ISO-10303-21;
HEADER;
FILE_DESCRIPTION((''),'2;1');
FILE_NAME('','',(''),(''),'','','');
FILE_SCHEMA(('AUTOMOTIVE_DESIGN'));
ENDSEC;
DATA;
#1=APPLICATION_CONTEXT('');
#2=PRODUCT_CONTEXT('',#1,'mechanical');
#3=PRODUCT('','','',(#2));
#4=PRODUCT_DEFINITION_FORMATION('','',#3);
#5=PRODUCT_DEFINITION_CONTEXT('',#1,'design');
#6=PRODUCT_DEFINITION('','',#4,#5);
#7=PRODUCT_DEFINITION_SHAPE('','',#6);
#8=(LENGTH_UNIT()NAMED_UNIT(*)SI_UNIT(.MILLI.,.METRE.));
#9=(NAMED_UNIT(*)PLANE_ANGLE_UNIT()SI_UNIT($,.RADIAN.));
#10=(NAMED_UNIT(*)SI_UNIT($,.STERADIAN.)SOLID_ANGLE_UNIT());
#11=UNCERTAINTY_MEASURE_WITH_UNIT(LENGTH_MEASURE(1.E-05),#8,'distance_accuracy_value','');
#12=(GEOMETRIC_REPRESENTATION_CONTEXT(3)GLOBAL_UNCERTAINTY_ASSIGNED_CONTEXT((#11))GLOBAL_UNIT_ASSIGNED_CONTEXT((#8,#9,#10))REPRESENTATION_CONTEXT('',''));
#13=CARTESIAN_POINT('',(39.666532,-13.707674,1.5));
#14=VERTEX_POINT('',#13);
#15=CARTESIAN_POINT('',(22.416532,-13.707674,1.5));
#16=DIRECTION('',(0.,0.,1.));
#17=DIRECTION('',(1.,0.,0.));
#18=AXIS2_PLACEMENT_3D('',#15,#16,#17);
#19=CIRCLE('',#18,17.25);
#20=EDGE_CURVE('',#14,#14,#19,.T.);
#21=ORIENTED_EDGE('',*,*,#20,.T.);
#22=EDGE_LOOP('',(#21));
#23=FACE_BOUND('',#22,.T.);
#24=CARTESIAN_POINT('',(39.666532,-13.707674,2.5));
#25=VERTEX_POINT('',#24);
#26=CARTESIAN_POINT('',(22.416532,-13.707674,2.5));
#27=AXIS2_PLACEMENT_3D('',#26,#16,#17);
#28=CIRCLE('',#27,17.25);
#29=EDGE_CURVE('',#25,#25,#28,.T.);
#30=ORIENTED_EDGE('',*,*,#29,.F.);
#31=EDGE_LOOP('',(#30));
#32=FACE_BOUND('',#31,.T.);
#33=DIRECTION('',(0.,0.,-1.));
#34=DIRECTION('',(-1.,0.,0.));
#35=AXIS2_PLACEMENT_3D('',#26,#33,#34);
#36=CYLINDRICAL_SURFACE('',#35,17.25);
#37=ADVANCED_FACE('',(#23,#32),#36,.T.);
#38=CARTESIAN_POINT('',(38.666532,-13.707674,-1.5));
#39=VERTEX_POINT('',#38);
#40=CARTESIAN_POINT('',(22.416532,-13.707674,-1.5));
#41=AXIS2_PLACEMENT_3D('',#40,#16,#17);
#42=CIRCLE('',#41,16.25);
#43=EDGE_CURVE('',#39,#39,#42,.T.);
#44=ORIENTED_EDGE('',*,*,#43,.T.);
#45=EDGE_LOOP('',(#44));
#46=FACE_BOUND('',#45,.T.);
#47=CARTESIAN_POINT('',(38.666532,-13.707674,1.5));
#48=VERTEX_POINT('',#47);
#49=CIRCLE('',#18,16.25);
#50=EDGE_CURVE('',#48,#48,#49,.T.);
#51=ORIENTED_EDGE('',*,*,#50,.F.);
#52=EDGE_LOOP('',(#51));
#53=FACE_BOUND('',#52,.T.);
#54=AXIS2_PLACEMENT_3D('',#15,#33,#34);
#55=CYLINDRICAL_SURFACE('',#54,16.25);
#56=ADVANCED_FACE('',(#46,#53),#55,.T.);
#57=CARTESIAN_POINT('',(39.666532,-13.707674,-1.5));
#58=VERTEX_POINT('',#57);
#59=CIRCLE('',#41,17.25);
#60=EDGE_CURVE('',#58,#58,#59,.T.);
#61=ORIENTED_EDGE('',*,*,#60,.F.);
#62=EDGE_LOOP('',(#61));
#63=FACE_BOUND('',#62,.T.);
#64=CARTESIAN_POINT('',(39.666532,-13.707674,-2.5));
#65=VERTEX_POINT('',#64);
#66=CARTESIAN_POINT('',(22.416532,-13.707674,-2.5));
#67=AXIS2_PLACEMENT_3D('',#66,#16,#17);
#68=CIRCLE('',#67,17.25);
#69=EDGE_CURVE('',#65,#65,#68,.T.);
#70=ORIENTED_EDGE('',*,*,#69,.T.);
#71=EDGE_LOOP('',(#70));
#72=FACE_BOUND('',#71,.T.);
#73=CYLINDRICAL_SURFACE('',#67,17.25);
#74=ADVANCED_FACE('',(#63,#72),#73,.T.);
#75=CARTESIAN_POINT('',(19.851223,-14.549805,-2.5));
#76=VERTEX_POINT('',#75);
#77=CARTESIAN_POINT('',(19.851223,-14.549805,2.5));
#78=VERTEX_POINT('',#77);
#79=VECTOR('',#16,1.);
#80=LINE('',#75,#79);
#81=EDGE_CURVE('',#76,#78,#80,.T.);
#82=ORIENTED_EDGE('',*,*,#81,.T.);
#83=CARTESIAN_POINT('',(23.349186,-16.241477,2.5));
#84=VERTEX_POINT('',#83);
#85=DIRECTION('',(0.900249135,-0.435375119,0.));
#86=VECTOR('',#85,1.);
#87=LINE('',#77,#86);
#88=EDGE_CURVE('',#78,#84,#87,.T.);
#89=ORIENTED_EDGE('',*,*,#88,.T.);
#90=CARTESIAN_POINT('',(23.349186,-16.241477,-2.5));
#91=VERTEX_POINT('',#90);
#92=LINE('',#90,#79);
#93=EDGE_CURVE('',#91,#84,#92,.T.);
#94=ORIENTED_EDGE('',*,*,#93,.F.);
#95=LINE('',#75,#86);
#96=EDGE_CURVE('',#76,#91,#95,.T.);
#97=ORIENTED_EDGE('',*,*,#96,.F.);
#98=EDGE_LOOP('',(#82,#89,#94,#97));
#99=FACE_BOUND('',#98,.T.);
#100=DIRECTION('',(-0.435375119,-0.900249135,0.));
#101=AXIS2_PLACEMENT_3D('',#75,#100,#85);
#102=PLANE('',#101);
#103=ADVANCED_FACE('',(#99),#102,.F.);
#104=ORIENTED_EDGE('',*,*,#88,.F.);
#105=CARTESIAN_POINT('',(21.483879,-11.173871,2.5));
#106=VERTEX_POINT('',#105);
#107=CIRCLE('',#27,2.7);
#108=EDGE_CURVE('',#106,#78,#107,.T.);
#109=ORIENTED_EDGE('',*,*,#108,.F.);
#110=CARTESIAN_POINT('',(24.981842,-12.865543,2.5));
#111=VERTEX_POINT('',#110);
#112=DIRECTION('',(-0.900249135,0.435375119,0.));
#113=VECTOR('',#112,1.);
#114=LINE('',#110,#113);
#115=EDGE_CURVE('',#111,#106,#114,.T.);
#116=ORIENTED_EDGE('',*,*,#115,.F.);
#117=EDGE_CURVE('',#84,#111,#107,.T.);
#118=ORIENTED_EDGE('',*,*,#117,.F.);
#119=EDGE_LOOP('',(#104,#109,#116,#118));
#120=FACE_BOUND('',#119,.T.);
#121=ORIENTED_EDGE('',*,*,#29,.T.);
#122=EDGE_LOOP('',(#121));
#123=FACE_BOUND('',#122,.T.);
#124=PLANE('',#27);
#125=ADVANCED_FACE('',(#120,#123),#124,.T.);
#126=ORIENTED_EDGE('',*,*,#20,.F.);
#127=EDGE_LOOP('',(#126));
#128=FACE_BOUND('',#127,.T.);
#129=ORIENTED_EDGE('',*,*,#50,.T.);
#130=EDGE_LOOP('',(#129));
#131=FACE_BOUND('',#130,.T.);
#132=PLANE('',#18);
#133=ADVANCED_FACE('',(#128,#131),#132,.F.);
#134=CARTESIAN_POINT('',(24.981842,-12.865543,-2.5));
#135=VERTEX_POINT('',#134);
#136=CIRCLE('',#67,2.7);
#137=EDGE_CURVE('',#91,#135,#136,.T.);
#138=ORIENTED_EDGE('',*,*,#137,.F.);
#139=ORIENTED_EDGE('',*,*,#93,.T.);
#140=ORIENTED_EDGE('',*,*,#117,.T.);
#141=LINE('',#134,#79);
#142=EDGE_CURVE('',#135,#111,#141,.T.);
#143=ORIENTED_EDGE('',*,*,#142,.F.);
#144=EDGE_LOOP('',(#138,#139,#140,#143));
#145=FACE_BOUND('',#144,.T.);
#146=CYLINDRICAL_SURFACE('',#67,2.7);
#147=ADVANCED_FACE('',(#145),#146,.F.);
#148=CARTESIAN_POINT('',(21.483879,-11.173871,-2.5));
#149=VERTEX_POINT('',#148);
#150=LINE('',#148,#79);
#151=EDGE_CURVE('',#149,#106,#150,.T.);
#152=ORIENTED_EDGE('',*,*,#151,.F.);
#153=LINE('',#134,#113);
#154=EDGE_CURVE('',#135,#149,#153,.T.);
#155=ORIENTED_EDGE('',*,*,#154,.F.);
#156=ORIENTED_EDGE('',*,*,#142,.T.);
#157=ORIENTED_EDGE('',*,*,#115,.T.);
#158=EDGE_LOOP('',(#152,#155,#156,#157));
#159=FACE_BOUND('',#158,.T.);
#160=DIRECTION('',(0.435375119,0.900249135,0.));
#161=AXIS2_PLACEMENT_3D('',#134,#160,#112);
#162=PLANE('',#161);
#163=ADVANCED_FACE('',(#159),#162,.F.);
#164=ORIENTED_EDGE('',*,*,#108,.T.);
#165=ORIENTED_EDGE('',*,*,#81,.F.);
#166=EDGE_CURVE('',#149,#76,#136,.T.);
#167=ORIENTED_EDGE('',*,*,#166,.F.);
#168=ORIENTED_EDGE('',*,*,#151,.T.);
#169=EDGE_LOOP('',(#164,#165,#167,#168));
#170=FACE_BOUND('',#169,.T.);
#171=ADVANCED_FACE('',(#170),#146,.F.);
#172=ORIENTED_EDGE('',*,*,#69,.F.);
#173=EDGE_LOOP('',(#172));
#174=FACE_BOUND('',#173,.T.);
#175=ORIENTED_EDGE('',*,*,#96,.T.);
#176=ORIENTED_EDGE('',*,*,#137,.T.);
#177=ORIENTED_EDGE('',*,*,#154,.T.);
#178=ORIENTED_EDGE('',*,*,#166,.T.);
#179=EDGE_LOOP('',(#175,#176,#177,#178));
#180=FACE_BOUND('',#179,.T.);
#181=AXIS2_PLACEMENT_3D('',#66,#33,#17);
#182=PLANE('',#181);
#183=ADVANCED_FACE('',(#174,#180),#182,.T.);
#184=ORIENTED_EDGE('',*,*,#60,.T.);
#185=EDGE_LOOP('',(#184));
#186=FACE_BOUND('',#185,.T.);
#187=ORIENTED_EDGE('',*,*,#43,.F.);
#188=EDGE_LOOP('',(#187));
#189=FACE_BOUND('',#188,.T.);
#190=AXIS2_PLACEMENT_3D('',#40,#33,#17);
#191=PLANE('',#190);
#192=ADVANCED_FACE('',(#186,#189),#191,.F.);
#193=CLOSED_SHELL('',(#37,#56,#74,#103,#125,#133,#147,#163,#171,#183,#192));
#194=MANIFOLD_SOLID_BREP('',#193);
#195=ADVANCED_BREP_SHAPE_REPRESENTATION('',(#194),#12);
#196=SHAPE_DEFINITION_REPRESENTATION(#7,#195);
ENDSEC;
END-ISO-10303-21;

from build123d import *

# Parameters (mm, degrees)
SKETCH_1_R          = 16.25
EXTRUDE_1_DEPTH     = 1.5
SKETCH_2_R          = 17.25
EXTRUDE_2_DEPTH     = 1
CUT_EXTRUDE_1_DEPTH = 51.564922409


with BuildPart() as part:
    # 草图1 → 凸台-拉伸1 (new, symmetric)
    with BuildSketch(Plane.XY):
        with Locations((22.416532439, -13.707674049)):
            Circle(SKETCH_1_R)
    extrude(amount=EXTRUDE_1_DEPTH, both=True)

    # 草图2 → 凸台-拉伸2 (add)
    with BuildSketch(Plane.XY.offset(1.5)):
        with Locations((22.416532439, -13.707674049)):
            Circle(SKETCH_2_R)
    extrude_2 = extrude(amount=EXTRUDE_2_DEPTH)

    # 镜向1: 凸台-拉伸2 across plane
    add(extrude_2.mirror(Plane.XY))

    # 草图3 → 切除-拉伸1 (cut, through all)
    with BuildSketch(Plane.XY.offset(2.5)):
        with BuildLine():
            Line((24.98184237, -12.86554285), (21.483879203, -11.17387099))
            ThreePointArc((21.483879203, -11.17387099), (19.985859773, -12.532161228), (19.851222508, -14.549805248))
            Line((19.851222508, -14.549805248), (23.349185675, -16.241477108))
            ThreePointArc((23.349185675, -16.241477108), (24.847205105, -14.88318687), (24.98184237, -12.86554285))
        make_face()
    extrude(amount=-CUT_EXTRUDE_1_DEPTH, mode=Mode.SUBTRACT)


solid = part.part
